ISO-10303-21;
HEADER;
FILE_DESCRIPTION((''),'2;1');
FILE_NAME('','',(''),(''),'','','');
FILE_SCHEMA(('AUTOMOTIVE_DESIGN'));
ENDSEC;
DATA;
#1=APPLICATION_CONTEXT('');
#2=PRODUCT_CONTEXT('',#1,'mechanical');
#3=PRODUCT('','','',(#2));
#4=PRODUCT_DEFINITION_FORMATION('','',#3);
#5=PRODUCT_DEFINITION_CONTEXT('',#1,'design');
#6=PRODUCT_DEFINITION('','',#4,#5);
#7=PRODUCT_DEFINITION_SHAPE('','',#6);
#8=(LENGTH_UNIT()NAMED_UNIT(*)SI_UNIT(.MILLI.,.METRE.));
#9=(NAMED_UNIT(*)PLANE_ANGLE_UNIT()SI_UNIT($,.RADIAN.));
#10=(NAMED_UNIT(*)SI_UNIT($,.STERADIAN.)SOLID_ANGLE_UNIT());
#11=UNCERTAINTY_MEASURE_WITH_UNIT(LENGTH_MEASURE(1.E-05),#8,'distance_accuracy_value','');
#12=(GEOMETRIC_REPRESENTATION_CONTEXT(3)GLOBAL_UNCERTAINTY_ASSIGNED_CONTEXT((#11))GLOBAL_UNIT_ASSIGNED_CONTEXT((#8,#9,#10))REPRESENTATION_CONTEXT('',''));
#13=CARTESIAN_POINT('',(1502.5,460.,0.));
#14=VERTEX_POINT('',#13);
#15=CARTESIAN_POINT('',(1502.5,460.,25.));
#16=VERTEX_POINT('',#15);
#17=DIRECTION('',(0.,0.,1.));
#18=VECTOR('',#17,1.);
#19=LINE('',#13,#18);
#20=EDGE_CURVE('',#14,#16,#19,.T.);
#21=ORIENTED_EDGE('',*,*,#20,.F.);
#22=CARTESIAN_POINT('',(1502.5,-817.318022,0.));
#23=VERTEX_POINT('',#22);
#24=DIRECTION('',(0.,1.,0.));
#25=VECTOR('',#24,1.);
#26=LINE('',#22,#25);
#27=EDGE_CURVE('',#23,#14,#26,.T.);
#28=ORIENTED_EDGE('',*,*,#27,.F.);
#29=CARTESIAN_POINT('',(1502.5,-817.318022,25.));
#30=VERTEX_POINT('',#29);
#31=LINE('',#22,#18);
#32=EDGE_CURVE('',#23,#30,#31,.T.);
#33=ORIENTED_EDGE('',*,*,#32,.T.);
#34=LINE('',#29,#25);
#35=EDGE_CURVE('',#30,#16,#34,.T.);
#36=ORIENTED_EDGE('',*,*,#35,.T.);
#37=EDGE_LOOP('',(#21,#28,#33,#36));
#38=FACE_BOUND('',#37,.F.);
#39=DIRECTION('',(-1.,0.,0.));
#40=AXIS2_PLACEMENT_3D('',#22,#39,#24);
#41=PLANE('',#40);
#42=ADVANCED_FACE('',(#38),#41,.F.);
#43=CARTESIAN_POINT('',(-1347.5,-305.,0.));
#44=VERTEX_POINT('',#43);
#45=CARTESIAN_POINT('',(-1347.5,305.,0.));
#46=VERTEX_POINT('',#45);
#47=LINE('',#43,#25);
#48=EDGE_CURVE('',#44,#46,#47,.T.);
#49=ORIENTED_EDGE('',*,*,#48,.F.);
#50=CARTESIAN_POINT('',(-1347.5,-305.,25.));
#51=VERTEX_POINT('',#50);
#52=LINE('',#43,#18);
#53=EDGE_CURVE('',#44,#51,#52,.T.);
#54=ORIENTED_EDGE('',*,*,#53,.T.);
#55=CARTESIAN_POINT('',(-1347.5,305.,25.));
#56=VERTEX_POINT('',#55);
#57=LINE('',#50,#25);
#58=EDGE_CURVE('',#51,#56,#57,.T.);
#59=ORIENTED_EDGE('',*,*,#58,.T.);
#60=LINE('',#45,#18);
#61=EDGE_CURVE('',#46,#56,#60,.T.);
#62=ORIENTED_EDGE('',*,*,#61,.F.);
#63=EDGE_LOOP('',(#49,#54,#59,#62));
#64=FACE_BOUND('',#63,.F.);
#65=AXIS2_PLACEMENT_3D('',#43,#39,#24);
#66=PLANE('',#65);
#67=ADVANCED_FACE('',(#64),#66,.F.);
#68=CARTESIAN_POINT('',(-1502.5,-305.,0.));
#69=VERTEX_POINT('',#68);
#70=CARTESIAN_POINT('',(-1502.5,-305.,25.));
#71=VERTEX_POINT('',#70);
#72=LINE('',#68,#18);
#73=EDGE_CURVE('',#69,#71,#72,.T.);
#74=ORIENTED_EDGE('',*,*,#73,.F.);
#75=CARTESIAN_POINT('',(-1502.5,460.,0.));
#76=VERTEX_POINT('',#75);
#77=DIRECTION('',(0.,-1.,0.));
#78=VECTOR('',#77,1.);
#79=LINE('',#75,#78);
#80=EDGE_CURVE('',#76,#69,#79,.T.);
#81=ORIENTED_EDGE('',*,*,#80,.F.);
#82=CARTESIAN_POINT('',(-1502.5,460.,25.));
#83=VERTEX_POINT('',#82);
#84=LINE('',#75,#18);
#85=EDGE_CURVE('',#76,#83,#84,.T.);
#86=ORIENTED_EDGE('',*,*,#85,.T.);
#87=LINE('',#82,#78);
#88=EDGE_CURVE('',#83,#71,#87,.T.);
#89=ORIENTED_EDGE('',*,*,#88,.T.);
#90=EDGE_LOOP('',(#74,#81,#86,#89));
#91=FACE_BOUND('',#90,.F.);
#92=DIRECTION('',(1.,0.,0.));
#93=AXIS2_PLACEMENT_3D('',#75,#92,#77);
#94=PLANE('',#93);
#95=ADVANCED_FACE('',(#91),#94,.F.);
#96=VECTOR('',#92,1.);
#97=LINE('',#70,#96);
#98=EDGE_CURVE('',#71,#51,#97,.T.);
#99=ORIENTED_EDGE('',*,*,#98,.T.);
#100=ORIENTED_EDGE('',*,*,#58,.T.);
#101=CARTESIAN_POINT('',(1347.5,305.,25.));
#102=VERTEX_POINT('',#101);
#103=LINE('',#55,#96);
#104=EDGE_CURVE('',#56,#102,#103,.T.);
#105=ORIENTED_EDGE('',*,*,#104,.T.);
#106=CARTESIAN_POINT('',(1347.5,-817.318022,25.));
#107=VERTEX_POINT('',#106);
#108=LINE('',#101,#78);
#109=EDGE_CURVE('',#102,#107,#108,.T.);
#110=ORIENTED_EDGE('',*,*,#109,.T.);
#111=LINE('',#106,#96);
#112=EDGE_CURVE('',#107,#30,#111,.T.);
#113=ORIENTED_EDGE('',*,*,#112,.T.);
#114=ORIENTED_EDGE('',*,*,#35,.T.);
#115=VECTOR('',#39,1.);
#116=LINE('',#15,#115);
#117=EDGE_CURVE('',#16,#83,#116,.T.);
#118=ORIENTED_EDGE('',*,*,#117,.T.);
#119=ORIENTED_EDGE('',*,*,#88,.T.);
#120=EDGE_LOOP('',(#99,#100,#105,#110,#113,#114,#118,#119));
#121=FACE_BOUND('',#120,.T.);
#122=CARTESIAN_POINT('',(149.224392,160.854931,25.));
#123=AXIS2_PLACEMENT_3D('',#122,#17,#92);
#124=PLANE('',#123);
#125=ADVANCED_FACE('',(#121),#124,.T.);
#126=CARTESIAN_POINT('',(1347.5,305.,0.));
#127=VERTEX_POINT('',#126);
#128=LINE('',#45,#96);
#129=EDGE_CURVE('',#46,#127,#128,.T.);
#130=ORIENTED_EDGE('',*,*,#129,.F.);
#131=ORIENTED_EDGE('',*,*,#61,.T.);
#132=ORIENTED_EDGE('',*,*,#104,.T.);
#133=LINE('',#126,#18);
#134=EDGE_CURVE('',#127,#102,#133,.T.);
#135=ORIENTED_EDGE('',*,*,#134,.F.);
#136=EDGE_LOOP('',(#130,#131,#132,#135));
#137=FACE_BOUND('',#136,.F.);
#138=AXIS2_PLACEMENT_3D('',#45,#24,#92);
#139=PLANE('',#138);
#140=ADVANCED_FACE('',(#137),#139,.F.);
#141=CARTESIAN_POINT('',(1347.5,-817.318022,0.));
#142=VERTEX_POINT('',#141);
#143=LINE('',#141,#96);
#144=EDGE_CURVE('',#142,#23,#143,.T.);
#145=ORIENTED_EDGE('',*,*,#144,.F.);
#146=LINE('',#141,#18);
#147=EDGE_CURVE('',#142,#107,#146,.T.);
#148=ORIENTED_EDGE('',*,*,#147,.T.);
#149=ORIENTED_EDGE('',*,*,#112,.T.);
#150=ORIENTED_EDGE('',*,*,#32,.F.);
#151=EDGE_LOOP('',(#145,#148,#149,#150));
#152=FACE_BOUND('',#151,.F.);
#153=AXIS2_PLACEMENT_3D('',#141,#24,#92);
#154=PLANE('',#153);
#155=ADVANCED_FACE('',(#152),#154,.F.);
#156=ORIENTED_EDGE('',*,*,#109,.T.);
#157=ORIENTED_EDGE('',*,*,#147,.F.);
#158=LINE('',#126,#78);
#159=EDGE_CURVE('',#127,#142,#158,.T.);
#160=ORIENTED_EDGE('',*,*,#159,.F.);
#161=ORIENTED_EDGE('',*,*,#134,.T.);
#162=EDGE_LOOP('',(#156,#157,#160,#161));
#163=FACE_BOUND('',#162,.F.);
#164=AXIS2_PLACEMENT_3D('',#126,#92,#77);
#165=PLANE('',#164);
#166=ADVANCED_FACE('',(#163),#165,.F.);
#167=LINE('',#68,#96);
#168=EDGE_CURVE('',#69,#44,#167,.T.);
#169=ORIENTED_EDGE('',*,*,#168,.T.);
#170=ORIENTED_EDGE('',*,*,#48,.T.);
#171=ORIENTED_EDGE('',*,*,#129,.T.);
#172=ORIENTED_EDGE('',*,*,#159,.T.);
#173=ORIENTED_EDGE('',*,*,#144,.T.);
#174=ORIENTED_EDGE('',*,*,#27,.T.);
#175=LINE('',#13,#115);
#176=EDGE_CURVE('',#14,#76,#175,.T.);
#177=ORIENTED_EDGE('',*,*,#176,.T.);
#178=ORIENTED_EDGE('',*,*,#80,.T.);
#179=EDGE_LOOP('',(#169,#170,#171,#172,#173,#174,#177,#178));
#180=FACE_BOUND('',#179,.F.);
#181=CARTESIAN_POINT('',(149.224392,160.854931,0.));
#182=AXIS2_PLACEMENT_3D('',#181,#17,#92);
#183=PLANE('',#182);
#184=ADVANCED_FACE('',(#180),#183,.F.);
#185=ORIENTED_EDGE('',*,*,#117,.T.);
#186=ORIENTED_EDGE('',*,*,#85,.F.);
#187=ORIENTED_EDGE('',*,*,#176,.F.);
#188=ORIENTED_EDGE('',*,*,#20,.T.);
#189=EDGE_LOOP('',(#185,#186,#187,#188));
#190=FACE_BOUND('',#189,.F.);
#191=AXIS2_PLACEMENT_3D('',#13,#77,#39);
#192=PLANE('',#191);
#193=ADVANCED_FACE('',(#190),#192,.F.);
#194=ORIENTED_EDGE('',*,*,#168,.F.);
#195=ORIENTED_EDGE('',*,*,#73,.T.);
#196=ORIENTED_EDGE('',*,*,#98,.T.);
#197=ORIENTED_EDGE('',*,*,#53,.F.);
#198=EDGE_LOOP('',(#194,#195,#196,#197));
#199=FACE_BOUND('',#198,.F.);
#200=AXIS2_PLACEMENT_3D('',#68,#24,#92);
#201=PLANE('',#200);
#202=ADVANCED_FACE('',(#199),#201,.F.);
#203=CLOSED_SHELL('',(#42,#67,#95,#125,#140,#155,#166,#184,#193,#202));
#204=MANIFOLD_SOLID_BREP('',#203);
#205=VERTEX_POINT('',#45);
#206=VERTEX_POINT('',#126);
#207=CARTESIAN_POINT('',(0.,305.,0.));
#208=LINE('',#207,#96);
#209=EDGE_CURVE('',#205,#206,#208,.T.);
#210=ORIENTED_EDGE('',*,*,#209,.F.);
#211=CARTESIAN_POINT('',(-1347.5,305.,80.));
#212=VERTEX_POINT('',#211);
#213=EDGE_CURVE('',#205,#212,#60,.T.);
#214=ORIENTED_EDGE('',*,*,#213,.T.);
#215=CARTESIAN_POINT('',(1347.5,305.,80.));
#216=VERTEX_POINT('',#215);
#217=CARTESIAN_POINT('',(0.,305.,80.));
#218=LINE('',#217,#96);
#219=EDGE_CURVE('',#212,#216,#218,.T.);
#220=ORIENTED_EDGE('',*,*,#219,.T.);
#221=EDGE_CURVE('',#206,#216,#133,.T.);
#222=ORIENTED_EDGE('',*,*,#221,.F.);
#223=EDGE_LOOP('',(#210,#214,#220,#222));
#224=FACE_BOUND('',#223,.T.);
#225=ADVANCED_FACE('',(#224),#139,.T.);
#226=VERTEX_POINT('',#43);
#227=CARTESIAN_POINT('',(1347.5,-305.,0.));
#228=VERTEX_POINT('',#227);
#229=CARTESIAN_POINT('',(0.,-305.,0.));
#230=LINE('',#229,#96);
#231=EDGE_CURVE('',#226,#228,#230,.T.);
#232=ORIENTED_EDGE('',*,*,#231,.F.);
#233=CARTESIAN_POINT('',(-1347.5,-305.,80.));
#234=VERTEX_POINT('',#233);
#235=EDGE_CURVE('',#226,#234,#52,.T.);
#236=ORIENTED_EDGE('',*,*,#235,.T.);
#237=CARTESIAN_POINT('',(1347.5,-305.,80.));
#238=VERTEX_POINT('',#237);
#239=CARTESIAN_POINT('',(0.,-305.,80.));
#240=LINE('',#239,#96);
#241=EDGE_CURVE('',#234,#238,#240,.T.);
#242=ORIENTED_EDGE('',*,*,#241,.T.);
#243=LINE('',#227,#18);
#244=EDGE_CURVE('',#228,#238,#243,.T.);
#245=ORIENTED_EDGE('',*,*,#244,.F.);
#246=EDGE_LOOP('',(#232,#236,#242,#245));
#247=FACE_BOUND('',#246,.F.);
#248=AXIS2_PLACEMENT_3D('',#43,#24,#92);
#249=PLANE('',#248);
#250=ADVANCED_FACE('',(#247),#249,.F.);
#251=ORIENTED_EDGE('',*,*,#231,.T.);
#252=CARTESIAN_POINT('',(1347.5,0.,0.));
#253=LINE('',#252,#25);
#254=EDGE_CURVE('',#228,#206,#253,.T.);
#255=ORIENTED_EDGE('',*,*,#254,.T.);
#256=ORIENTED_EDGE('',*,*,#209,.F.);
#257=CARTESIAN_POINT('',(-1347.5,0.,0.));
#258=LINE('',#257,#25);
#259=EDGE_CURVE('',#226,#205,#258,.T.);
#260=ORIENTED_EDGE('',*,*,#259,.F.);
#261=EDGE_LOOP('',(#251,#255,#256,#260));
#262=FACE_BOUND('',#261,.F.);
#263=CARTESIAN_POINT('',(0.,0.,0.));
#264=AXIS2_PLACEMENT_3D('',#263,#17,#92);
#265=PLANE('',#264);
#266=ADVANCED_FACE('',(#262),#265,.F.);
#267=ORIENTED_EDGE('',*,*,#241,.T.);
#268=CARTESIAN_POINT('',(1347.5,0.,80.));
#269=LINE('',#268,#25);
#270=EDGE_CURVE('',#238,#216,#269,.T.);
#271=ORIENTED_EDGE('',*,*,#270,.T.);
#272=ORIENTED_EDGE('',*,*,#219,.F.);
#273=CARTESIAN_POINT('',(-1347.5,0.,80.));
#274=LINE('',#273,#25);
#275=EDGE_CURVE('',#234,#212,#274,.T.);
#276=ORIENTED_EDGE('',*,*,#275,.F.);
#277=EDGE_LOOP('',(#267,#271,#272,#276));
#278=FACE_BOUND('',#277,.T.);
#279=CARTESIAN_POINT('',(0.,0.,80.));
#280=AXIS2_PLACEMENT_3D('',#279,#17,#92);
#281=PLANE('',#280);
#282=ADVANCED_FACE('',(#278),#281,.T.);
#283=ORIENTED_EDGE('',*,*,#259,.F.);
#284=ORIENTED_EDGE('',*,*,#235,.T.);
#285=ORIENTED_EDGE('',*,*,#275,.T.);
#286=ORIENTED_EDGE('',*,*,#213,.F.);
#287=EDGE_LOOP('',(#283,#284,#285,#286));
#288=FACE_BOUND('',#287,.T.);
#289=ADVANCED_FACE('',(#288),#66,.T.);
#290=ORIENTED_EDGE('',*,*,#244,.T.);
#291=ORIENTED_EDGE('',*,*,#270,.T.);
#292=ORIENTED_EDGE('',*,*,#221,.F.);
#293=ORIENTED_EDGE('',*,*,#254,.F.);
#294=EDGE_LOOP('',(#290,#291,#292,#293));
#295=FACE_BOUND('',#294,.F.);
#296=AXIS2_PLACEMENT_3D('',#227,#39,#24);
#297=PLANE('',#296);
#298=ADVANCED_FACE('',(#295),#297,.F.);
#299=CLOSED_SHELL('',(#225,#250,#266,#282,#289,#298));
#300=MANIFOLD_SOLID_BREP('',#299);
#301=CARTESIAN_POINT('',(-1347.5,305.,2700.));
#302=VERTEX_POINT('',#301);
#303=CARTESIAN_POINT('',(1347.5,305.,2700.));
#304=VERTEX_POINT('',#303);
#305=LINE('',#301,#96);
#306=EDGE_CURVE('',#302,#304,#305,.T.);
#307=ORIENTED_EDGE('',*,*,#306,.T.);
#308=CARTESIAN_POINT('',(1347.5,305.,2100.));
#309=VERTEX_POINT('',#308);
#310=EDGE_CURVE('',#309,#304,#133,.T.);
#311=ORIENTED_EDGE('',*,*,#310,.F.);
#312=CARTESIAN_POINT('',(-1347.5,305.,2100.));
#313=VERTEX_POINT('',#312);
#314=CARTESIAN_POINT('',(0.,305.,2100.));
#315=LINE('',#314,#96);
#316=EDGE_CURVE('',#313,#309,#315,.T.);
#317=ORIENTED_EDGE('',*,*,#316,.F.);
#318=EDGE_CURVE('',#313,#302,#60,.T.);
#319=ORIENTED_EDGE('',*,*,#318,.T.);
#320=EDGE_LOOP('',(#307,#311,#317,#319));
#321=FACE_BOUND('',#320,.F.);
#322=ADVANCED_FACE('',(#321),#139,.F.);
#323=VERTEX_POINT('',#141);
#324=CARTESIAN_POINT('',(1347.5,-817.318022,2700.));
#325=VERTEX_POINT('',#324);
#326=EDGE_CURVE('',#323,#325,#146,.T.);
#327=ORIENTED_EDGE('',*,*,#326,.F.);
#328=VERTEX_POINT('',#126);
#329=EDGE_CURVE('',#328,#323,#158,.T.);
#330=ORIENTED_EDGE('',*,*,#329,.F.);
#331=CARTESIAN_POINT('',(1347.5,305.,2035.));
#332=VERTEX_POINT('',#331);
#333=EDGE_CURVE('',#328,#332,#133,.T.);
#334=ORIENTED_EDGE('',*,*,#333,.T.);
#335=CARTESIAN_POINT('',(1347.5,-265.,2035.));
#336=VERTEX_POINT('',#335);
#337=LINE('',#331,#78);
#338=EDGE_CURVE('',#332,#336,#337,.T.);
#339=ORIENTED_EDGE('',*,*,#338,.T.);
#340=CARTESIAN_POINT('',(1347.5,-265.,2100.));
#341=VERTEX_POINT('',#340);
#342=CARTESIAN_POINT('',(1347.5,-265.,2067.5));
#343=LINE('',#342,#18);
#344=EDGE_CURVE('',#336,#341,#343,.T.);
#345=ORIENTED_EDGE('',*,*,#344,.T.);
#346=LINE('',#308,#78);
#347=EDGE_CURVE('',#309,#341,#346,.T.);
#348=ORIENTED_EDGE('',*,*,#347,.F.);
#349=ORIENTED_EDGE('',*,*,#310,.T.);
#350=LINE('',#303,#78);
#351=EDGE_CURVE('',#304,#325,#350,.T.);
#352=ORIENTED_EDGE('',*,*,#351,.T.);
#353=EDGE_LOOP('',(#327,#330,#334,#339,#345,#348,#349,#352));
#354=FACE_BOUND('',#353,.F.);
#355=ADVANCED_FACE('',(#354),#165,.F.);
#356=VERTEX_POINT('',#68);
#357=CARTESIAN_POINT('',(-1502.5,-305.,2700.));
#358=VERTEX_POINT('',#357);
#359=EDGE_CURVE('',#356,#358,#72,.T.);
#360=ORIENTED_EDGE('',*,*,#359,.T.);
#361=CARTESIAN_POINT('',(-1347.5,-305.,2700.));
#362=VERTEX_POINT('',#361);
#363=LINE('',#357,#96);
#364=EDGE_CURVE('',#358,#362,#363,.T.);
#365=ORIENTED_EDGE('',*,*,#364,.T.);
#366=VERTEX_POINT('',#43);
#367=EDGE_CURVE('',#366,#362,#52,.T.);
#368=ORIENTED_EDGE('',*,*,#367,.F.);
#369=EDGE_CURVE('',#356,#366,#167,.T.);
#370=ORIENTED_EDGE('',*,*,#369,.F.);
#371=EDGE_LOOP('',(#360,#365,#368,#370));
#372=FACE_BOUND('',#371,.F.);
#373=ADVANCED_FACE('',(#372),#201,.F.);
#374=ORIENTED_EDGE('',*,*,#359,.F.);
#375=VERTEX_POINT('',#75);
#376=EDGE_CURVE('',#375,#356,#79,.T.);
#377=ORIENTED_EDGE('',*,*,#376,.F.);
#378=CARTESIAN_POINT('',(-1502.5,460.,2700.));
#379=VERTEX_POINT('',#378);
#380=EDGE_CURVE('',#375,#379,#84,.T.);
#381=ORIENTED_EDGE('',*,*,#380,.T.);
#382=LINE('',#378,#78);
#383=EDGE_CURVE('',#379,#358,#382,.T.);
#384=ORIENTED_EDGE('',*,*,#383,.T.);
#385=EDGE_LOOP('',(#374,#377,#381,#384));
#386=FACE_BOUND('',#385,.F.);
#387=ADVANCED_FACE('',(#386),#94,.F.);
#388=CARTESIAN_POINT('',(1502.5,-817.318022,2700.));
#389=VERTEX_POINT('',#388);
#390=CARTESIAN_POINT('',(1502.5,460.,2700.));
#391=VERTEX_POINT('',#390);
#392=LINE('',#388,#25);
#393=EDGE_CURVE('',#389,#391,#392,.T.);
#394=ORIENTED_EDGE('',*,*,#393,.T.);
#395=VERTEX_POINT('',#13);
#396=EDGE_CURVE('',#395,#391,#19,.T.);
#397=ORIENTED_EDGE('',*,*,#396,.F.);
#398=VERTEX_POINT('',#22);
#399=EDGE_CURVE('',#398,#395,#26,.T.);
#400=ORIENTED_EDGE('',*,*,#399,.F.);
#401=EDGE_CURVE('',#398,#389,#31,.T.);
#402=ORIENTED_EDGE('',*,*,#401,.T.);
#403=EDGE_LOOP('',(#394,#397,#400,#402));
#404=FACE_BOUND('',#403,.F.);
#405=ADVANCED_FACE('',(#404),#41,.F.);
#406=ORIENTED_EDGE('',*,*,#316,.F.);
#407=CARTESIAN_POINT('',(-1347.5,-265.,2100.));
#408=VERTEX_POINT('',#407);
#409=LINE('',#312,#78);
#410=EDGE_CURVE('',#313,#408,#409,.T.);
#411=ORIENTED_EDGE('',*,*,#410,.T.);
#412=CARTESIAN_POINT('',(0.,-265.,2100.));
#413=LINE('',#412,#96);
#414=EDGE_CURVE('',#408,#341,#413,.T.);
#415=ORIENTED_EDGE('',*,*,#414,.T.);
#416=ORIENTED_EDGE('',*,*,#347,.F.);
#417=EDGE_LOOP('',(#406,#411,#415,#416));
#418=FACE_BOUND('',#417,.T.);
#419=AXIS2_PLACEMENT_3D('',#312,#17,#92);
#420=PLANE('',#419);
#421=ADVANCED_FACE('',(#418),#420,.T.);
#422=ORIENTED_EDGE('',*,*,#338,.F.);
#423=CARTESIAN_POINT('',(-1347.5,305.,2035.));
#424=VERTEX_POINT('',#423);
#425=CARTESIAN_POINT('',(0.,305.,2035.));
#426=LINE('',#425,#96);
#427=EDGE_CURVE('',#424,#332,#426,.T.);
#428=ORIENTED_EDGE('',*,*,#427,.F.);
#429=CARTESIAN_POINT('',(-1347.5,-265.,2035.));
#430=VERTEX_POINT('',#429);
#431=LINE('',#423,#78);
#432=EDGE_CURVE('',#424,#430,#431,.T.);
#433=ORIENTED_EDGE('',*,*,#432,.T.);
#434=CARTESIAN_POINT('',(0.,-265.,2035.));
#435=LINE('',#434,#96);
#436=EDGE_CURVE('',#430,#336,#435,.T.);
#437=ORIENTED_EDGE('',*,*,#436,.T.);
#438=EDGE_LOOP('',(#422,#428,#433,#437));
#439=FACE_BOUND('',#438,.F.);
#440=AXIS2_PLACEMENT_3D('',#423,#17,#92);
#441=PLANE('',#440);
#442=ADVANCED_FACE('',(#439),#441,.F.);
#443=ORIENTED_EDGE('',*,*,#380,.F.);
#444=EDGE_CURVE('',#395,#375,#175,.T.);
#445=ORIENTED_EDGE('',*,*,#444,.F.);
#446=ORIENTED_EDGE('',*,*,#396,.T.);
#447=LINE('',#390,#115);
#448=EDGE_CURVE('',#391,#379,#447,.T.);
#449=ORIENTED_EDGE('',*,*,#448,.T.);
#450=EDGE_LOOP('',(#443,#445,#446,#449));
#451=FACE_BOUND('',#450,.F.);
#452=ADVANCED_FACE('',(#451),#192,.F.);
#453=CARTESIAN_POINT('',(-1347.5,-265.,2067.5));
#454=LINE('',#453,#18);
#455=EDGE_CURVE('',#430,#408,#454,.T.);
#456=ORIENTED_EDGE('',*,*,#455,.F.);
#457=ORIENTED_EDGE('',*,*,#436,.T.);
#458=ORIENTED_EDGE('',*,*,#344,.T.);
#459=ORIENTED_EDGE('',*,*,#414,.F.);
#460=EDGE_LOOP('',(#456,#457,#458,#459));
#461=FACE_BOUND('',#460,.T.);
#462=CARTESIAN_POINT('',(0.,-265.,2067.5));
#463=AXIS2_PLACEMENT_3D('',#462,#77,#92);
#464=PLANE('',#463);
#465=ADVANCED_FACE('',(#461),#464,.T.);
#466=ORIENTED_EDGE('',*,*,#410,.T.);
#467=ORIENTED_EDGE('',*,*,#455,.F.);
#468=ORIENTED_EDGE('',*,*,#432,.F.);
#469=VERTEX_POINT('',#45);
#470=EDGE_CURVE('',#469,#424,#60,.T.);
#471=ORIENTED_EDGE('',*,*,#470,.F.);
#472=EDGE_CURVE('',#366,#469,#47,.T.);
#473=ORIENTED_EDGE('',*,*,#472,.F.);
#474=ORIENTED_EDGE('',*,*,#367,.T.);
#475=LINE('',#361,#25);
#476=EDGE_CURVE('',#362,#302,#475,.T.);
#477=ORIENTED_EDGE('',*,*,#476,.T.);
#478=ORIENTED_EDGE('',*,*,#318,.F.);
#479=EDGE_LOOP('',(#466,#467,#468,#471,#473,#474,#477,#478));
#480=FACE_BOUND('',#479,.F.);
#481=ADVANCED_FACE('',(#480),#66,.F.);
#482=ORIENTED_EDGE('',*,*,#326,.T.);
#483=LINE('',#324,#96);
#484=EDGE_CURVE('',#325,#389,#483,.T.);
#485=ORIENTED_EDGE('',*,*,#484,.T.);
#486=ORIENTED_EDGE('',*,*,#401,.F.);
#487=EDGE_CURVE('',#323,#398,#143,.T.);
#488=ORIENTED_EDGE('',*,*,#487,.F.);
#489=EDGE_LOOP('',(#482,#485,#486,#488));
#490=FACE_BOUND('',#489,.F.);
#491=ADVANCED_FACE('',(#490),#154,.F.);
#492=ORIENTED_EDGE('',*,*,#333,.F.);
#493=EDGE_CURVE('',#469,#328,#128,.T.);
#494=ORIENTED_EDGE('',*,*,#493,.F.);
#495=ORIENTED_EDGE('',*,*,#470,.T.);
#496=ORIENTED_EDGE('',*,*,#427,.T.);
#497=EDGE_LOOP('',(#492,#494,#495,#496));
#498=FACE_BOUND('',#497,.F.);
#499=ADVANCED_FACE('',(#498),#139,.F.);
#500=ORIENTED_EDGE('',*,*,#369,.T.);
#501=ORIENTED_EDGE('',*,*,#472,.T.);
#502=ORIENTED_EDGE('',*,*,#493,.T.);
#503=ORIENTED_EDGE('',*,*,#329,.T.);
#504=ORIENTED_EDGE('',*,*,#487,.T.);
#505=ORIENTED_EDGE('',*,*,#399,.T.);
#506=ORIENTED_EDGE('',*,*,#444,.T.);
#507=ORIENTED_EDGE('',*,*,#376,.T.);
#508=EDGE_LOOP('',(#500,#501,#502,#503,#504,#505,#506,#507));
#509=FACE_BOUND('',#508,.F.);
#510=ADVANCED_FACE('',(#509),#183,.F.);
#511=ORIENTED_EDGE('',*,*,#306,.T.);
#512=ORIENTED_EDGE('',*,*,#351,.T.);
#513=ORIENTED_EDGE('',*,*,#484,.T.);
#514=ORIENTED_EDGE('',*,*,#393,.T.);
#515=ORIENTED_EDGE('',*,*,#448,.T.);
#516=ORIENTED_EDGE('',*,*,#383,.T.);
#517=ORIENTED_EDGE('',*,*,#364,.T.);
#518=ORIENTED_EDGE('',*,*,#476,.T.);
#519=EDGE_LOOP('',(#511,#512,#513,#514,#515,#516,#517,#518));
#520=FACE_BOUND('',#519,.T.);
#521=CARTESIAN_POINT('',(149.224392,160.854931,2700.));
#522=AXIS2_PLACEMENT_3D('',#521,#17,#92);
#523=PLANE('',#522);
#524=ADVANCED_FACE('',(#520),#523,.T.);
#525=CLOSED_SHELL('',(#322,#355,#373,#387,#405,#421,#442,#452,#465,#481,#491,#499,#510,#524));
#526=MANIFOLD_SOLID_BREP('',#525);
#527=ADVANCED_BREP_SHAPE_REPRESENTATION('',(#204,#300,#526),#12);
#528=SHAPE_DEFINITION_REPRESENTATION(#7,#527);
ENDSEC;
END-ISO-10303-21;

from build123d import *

# Parameters (mm, degrees)
F2_DEPTH = 2700
F0_W     = 2695
F0_H     = 610
F3_DEPTH = 80
F4_DEPTH = 25
F5_W     = 2695
F5_H     = 65
F6_DEPTH = 570


with BuildPart() as f2:
    # F1 (on Top) → F2 (new body)
    with BuildSketch(Plane.XY):
        Polygon((-1502.5, -305), (-1347.5, -305), (-1347.5, 305), (1347.5, 305), (1347.5, -817.318022), (1502.5, -817.318022), (1502.5, 460), (-1502.5, 460), align=None)
    extrude(amount=F2_DEPTH)

    # F5 (on face) → F6 (join)
    with BuildSketch(Plane.XZ.offset(-305)):
        with Locations((0, 2067.5)):
            Rectangle(F5_W, F5_H)
    extrude(amount=F6_DEPTH)


with BuildPart() as f3:
    # F0 (on Top) → F3 (new body)
    with BuildSketch(Plane.XY):
        Rectangle(F0_W, F0_H)
    extrude(amount=F3_DEPTH)


with BuildPart() as f4:
    # F1 (on Top) → F4 (new body)
    with BuildSketch(Plane.XY):
        Polygon((-1502.5, -305), (-1347.5, -305), (-1347.5, 305), (1347.5, 305), (1347.5, -817.318022), (1502.5, -817.318022), (1502.5, 460), (-1502.5, 460), align=None)
    extrude(amount=F4_DEPTH)


solid = Compound([f2.part, f3.part, f4.part])
